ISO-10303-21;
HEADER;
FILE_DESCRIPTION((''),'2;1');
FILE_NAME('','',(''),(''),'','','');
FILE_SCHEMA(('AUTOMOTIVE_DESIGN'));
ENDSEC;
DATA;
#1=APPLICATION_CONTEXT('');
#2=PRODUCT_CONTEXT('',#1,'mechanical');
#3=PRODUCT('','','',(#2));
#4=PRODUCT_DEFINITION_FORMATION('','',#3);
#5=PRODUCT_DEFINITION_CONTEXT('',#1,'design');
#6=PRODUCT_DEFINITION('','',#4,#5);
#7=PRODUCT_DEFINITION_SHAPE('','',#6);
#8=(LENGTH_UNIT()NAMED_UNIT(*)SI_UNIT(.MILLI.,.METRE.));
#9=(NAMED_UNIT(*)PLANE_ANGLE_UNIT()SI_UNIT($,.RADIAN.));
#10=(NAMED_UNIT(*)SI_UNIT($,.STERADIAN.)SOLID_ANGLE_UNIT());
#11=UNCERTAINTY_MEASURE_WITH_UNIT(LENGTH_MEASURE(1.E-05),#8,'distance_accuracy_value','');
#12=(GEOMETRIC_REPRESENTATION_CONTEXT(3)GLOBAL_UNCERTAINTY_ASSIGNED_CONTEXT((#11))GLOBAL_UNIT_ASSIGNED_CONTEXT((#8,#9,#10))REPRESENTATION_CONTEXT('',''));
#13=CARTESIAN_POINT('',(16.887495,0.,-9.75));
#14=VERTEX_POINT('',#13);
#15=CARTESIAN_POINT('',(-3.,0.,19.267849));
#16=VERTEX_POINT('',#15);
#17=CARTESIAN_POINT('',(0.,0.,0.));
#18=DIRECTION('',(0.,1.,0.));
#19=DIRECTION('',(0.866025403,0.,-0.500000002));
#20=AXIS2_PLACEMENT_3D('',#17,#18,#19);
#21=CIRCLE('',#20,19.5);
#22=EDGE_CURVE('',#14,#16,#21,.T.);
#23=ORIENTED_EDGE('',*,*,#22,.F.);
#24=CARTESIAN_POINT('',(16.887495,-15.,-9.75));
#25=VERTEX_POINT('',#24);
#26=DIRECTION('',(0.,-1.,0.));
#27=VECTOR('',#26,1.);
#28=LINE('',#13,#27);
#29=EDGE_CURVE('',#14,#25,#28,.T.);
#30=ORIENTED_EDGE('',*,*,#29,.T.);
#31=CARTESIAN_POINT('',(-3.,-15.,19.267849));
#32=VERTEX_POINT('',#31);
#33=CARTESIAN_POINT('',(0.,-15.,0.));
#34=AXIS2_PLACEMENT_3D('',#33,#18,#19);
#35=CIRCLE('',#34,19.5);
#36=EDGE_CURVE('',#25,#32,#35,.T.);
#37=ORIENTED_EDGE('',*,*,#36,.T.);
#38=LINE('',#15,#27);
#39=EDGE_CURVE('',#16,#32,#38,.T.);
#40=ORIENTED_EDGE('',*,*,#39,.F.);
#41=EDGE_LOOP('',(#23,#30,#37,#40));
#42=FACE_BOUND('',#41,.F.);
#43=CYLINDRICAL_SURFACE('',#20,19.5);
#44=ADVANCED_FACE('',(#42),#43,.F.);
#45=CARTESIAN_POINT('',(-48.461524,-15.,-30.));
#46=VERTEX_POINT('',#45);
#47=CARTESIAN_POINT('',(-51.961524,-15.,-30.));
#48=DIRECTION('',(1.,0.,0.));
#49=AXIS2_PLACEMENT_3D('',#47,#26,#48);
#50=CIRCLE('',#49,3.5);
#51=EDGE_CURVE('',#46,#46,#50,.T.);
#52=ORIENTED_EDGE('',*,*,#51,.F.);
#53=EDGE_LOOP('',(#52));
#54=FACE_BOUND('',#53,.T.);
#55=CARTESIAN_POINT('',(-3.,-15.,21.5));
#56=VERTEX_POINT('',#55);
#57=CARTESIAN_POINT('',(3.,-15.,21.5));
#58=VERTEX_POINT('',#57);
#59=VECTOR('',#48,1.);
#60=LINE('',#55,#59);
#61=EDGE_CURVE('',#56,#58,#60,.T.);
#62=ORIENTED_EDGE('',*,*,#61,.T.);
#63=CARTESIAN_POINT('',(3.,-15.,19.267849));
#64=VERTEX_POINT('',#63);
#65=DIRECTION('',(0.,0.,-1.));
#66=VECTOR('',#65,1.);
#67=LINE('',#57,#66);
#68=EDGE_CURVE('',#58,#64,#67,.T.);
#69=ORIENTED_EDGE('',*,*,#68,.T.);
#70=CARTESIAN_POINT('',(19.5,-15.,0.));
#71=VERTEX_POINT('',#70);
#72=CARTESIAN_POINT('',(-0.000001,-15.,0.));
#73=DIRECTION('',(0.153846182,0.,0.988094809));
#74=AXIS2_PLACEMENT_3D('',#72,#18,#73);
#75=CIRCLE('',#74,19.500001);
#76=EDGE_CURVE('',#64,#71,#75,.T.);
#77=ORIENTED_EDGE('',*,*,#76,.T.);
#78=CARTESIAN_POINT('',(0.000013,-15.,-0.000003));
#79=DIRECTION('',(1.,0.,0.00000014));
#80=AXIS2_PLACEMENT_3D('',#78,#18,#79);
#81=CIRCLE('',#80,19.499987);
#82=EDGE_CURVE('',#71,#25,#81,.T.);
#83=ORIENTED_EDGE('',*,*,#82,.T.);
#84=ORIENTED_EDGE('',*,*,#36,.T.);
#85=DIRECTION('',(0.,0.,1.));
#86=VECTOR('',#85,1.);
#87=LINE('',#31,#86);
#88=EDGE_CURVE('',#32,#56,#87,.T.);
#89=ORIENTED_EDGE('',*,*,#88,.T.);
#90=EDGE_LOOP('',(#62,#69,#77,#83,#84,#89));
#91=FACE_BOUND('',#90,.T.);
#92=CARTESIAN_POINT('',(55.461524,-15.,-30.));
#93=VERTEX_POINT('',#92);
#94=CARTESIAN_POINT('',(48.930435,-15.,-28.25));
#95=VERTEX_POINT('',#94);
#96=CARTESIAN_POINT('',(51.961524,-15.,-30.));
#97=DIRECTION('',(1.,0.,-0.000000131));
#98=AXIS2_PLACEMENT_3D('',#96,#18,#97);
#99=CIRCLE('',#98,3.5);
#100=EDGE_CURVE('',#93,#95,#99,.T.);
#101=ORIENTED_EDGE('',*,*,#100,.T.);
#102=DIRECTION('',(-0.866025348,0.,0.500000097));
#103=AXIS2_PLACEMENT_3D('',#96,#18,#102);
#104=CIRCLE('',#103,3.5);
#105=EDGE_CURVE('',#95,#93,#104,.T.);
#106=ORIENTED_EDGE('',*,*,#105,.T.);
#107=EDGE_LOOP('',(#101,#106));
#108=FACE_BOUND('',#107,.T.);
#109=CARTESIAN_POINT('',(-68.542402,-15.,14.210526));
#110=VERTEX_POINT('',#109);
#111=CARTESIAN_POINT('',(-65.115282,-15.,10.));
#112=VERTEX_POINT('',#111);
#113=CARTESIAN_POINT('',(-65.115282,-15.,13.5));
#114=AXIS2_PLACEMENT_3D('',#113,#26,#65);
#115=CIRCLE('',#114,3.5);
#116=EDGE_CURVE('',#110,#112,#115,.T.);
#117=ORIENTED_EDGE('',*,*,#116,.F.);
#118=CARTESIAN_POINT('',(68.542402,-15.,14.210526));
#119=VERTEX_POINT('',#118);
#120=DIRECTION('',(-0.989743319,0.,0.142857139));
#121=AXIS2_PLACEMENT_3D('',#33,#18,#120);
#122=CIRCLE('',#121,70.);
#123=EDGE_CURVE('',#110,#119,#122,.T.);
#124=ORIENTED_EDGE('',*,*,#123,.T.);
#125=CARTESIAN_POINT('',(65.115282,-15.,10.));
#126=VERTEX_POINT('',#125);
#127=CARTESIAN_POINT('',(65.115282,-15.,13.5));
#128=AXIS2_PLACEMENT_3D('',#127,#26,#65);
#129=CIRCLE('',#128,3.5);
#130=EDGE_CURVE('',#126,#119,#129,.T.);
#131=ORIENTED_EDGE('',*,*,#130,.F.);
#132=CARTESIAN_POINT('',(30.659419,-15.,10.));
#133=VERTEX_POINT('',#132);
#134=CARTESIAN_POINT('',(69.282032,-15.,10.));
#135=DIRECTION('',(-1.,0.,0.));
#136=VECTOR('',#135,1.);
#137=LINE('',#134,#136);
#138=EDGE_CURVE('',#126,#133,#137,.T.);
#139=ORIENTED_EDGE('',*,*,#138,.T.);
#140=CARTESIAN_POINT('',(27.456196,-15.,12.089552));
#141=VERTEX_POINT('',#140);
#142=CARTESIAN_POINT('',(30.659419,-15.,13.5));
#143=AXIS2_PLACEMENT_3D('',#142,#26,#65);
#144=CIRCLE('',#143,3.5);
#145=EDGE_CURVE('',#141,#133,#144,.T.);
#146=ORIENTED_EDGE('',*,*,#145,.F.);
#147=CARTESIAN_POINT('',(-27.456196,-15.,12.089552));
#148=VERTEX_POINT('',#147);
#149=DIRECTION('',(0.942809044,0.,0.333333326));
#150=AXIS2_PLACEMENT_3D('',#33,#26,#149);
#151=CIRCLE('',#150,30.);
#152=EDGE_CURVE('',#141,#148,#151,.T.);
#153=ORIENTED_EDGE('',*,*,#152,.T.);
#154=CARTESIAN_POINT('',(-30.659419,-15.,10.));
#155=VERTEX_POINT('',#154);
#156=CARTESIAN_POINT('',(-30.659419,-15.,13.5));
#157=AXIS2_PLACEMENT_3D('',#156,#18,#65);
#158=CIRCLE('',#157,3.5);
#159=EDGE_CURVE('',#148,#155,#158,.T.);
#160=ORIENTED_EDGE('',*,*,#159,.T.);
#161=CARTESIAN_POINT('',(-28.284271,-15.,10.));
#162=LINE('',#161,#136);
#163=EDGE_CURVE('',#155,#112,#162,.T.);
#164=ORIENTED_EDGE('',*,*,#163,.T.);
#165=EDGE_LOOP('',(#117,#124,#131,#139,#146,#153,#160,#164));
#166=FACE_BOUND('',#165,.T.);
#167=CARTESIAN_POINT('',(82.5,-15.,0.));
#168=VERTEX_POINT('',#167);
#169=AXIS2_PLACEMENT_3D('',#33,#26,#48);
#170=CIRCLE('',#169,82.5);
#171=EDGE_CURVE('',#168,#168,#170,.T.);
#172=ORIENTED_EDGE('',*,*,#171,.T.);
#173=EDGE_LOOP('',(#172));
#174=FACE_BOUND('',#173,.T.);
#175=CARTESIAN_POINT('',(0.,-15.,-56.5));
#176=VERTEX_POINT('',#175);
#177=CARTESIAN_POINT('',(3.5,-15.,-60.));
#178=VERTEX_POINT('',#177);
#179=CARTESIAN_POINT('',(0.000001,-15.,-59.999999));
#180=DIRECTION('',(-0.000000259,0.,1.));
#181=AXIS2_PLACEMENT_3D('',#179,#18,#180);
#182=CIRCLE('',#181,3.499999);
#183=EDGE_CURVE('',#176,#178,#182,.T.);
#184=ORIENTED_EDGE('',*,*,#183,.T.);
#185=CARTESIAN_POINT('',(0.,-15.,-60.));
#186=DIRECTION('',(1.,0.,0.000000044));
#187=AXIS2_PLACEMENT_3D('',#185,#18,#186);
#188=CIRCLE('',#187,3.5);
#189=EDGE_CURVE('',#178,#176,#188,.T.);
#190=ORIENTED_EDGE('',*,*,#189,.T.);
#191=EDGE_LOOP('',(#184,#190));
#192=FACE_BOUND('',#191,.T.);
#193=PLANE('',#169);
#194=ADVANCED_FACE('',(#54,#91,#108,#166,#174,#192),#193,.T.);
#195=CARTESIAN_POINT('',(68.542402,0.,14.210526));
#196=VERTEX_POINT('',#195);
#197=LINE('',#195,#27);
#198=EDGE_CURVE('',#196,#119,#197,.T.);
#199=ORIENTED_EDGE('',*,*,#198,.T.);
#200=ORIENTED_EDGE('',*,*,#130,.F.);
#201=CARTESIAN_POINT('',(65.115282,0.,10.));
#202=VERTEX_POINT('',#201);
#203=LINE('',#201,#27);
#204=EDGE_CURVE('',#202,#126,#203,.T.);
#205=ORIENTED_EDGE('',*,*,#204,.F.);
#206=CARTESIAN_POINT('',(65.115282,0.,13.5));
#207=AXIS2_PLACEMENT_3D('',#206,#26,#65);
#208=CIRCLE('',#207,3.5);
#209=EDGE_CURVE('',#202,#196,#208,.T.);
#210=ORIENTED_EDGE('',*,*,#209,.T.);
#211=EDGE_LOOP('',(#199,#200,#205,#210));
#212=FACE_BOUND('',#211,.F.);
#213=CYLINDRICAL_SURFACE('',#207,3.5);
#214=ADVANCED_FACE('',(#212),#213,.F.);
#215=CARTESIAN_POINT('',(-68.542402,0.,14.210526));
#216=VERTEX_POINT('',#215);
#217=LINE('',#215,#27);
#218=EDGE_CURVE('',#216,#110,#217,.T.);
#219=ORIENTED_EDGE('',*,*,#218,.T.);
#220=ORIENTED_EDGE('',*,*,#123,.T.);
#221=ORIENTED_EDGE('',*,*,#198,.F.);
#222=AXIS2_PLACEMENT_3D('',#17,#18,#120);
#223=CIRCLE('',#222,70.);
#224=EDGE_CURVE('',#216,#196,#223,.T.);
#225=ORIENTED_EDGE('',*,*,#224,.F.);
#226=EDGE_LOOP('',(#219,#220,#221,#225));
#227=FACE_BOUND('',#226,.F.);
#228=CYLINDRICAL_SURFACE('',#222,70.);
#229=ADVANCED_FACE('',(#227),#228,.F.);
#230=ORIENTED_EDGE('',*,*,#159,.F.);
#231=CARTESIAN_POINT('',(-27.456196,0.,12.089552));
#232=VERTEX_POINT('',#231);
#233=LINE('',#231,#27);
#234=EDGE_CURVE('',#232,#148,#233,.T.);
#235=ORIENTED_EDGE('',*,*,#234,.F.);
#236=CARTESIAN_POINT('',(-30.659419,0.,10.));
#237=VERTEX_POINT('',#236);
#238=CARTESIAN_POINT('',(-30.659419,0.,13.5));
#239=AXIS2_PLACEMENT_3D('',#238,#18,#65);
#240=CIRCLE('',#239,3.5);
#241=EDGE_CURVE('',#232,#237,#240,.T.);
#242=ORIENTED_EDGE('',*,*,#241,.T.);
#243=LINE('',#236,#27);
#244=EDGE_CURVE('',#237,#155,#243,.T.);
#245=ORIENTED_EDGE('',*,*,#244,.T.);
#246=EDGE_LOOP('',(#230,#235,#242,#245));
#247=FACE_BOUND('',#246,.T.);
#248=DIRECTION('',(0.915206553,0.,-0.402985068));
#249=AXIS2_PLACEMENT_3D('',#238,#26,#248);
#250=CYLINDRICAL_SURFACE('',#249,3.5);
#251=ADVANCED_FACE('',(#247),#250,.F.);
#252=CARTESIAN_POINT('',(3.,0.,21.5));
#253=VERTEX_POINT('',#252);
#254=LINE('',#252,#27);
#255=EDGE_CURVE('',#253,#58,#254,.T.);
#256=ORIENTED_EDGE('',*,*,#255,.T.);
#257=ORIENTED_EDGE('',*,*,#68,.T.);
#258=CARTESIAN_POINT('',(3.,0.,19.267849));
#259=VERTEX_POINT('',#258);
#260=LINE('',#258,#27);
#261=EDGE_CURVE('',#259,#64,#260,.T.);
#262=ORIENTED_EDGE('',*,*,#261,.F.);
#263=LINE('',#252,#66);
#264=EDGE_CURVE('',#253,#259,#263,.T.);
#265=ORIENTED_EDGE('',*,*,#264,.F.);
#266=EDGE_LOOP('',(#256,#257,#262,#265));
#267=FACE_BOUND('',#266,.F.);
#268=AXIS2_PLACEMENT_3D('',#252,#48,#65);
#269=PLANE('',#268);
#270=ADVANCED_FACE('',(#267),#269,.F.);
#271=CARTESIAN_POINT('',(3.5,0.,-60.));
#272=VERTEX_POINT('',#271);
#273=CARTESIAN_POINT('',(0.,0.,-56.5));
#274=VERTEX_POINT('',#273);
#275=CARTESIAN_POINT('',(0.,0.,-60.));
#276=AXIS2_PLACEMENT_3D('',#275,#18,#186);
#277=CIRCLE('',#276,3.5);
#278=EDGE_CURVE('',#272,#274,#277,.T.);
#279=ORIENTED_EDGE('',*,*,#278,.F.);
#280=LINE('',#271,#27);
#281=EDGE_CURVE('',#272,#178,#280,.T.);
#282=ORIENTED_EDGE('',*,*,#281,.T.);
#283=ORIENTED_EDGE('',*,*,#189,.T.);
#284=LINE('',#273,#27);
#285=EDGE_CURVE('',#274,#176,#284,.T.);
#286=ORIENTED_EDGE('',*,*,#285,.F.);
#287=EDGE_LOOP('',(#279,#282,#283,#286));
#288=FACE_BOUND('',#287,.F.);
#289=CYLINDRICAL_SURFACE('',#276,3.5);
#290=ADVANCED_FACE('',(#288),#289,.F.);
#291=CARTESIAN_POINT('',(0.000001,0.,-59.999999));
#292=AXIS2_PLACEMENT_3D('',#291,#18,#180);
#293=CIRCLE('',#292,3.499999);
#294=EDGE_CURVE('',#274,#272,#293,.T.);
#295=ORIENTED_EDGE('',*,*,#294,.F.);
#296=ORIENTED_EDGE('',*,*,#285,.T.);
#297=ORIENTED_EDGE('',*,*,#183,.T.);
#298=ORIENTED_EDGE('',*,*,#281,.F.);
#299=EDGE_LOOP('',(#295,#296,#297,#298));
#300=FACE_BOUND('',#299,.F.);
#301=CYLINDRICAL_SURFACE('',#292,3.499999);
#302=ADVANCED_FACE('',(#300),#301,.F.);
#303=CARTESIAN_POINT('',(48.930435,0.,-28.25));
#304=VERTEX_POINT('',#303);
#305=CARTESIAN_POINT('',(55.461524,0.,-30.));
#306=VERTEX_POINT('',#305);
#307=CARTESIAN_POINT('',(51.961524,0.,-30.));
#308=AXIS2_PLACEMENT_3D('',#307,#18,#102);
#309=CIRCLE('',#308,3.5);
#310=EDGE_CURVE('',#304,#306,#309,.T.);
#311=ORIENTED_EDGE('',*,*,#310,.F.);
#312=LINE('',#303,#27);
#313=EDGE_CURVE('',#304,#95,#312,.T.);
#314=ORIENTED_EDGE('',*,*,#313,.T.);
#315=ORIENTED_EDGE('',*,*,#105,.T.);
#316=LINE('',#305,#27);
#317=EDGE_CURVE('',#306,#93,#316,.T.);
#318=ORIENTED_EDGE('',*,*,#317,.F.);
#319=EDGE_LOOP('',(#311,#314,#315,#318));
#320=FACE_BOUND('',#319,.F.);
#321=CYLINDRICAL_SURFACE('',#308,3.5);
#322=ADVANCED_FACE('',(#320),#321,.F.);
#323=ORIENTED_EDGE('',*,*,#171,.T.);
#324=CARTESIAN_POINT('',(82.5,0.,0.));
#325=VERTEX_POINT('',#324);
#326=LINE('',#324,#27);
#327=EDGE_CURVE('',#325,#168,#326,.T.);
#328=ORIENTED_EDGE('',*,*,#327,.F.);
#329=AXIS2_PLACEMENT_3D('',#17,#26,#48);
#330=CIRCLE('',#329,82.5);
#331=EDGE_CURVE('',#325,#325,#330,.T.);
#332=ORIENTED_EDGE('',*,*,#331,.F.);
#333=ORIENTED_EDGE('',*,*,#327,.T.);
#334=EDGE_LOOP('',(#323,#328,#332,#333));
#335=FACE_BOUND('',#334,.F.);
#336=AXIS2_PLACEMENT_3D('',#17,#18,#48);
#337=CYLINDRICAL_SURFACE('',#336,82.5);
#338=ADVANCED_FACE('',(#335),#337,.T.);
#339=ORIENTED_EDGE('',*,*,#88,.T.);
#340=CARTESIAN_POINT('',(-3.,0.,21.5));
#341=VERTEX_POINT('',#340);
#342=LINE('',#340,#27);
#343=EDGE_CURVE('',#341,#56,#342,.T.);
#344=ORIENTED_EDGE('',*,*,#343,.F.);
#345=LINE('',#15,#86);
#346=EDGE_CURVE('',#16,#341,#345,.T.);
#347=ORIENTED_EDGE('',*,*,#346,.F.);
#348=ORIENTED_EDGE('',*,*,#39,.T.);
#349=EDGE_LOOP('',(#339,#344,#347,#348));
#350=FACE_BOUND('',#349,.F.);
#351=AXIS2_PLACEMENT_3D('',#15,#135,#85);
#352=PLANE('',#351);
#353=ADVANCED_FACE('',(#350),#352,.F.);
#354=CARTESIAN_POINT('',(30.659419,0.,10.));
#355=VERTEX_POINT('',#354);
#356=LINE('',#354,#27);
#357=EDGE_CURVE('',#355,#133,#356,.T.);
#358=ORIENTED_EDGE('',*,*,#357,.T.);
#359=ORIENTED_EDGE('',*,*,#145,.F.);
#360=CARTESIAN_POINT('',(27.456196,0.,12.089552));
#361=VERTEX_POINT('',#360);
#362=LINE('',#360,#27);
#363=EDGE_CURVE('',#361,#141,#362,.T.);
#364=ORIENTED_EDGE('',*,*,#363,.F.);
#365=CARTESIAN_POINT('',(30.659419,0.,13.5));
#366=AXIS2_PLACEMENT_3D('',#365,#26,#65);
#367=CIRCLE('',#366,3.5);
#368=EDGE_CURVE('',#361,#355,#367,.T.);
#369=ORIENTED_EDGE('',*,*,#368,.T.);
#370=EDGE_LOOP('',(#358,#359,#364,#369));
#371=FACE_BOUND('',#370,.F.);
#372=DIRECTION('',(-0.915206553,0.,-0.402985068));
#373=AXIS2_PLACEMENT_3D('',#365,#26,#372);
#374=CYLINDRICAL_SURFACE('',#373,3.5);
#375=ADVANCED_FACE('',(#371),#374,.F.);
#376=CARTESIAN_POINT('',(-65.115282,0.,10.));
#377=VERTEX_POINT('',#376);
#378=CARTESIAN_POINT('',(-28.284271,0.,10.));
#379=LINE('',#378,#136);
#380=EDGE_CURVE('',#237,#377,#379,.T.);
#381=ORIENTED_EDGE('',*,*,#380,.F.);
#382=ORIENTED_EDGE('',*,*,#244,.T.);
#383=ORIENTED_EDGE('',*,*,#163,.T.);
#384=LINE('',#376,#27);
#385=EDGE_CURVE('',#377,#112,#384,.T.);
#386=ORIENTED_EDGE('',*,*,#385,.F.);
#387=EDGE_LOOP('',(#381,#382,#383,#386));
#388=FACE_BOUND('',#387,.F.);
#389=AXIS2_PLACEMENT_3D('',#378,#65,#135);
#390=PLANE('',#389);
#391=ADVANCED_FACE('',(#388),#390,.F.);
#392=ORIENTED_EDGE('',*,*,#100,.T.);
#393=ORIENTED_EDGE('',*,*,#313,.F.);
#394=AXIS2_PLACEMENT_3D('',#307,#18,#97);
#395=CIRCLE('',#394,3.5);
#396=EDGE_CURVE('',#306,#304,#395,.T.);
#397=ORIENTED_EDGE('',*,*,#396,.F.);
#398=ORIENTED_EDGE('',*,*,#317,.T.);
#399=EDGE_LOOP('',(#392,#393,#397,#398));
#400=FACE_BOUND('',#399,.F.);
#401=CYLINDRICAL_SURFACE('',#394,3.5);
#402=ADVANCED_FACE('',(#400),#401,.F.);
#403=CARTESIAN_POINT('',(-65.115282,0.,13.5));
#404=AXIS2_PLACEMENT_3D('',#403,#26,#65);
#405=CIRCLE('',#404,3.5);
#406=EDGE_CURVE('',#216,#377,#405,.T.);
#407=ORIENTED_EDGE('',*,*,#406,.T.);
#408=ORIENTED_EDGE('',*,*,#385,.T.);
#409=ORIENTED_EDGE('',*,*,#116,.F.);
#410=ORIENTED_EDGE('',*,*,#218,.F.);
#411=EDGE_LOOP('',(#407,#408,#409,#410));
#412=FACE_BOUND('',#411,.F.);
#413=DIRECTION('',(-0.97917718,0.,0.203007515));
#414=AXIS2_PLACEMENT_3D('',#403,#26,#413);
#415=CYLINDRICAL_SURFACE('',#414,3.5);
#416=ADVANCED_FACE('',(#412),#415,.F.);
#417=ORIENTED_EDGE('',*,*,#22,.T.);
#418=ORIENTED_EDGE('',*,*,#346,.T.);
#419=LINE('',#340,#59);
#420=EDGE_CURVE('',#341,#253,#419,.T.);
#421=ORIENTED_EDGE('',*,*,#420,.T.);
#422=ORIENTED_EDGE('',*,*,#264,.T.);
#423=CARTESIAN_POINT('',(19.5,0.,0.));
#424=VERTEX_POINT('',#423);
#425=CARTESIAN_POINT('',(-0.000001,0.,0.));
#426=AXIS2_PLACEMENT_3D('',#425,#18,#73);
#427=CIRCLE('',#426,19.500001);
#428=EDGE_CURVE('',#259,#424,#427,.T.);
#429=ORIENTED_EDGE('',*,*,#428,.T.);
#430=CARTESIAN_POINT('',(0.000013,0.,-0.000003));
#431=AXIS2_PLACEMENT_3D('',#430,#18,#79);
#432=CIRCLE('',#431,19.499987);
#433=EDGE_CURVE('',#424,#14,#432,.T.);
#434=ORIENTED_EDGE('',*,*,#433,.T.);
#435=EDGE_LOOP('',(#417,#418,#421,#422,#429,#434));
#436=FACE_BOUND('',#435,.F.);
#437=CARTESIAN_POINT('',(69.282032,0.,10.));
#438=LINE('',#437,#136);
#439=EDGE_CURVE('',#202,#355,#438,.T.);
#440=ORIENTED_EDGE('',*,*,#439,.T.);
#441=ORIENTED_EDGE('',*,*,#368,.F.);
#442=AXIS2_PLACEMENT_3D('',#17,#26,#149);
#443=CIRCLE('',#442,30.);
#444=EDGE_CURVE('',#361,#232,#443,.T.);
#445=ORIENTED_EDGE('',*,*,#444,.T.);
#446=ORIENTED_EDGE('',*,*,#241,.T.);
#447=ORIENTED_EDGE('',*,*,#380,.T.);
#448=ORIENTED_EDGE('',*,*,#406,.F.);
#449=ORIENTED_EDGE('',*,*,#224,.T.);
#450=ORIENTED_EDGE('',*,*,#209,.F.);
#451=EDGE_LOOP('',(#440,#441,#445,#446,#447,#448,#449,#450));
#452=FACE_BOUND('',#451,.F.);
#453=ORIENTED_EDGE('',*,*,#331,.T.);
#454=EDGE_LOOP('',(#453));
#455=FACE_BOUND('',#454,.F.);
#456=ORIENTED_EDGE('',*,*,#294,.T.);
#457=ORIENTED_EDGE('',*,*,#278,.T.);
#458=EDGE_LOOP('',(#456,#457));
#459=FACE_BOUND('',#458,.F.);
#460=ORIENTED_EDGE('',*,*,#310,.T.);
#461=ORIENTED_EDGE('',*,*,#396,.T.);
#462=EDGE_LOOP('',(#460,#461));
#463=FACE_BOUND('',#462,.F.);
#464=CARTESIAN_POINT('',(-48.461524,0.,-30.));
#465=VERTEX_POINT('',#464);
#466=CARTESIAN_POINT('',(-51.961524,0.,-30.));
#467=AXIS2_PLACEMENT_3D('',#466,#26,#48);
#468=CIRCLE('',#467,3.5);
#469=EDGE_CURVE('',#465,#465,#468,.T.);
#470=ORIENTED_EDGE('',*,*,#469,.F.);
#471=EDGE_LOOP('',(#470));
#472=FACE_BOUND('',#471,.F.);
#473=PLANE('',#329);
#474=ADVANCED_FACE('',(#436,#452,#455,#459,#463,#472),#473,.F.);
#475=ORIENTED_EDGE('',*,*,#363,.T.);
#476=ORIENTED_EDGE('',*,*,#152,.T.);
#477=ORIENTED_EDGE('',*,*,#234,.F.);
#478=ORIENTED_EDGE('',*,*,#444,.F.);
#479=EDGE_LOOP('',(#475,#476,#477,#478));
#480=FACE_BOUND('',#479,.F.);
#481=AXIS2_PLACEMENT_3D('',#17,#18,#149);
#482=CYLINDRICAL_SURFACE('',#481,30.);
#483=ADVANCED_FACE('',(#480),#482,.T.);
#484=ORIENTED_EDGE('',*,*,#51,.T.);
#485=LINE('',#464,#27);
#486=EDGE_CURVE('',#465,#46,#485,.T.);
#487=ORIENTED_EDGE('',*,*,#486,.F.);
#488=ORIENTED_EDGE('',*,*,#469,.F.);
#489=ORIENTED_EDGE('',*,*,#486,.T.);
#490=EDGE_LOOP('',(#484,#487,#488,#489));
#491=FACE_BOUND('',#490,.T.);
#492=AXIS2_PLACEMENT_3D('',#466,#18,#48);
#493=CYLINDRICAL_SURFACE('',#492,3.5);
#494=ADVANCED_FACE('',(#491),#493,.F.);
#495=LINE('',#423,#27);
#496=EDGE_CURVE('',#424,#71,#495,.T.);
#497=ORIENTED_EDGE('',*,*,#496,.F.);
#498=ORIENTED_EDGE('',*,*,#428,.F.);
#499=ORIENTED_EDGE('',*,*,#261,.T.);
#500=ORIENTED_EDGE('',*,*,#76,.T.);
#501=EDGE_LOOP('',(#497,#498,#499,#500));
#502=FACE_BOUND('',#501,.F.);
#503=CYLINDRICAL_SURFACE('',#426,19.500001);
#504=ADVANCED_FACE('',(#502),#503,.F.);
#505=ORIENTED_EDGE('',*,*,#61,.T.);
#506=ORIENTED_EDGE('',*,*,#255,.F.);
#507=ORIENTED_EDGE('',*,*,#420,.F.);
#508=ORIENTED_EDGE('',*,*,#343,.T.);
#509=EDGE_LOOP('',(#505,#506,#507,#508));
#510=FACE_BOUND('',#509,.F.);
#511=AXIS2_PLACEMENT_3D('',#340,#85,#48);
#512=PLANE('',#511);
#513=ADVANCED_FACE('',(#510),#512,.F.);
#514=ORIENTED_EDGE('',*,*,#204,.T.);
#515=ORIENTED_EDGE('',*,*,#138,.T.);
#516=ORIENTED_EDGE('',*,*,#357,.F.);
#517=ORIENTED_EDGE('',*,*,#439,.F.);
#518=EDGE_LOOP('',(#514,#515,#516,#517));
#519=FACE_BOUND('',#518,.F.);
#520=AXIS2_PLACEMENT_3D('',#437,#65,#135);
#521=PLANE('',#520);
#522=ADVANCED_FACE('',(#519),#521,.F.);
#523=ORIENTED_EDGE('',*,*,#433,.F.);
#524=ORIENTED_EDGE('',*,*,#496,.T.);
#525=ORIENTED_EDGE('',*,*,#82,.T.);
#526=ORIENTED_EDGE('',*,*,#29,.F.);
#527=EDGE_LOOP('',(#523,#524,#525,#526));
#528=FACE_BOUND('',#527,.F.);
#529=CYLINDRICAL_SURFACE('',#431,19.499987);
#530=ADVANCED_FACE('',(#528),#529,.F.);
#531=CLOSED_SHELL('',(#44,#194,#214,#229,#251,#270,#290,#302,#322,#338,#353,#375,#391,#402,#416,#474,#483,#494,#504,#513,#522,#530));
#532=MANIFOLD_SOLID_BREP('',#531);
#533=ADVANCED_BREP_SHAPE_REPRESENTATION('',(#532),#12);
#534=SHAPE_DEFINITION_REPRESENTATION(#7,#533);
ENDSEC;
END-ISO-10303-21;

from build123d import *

# Parameters (mm, degrees)
F0_R     = 82.5
F0_R_2   = 3.5
F1_DEPTH = 15
F2_R     = 3.5


with BuildPart() as f1:
    # F0 (on Front) → F1 (new body)
    with BuildSketch(Plane.XZ):
        Circle(F0_R)
        with Locations((-51.961524, -30)):
            Circle(F0_R_2, mode=Mode.SUBTRACT)
        with BuildLine():
            ThreePointArc((0, -56.5), (2.474874, -57.525126), (3.5, -60))
            ThreePointArc((3.5, -60), (-2.474874, -62.474874), (0, -56.5))
        make_face(mode=Mode.SUBTRACT)
        with BuildLine():
            ThreePointArc((55.461524, -30), (51.055658, -33.38074), (48.930435, -28.25))
            ThreePointArc((48.930435, -28.25), (52.867391, -26.61926), (55.461524, -30))
        make_face(mode=Mode.SUBTRACT)
        with BuildLine():
            ThreePointArc((19.5, 0), (18.835554, -5.046971), (16.887495, -9.75))
            ThreePointArc((16.887495, -9.75), (-16.084916, -11.02386), (-3, 19.267849))
            Line((-3, 19.267849), (-3, 21.5))
            Line((-3, 21.5), (0, 21.5))
            Line((0, 21.5), (3, 21.5))
            Line((3, 21.5), (3, 19.267849))
            ThreePointArc((3, 19.267849), (14.811313, 12.683651), (19.5, 0))
        make_face(mode=Mode.SUBTRACT)
        with BuildLine():
            Line((-28.284271, 10), (-69.282032, 10))
            ThreePointArc((-69.282032, 10), (0, 70), (69.282032, 10))
            Line((69.282032, 10), (28.284271, 10))
            ThreePointArc((28.284271, 10), (0, 30), (-28.284271, 10))
        make_face(mode=Mode.SUBTRACT)
    extrude(amount=F1_DEPTH)

    # F2
    f2_edges = [f1.edges().sort_by_distance(p)[0] for p in [
        (69.282032, -7.5, 10),
        (-69.282032, -7.5, 10),
        (-28.284271, -7.5, 10),
        (28.284271, -7.5, 10),
    ]]
    fillet(f2_edges, radius=F2_R)


solid = f1.part
